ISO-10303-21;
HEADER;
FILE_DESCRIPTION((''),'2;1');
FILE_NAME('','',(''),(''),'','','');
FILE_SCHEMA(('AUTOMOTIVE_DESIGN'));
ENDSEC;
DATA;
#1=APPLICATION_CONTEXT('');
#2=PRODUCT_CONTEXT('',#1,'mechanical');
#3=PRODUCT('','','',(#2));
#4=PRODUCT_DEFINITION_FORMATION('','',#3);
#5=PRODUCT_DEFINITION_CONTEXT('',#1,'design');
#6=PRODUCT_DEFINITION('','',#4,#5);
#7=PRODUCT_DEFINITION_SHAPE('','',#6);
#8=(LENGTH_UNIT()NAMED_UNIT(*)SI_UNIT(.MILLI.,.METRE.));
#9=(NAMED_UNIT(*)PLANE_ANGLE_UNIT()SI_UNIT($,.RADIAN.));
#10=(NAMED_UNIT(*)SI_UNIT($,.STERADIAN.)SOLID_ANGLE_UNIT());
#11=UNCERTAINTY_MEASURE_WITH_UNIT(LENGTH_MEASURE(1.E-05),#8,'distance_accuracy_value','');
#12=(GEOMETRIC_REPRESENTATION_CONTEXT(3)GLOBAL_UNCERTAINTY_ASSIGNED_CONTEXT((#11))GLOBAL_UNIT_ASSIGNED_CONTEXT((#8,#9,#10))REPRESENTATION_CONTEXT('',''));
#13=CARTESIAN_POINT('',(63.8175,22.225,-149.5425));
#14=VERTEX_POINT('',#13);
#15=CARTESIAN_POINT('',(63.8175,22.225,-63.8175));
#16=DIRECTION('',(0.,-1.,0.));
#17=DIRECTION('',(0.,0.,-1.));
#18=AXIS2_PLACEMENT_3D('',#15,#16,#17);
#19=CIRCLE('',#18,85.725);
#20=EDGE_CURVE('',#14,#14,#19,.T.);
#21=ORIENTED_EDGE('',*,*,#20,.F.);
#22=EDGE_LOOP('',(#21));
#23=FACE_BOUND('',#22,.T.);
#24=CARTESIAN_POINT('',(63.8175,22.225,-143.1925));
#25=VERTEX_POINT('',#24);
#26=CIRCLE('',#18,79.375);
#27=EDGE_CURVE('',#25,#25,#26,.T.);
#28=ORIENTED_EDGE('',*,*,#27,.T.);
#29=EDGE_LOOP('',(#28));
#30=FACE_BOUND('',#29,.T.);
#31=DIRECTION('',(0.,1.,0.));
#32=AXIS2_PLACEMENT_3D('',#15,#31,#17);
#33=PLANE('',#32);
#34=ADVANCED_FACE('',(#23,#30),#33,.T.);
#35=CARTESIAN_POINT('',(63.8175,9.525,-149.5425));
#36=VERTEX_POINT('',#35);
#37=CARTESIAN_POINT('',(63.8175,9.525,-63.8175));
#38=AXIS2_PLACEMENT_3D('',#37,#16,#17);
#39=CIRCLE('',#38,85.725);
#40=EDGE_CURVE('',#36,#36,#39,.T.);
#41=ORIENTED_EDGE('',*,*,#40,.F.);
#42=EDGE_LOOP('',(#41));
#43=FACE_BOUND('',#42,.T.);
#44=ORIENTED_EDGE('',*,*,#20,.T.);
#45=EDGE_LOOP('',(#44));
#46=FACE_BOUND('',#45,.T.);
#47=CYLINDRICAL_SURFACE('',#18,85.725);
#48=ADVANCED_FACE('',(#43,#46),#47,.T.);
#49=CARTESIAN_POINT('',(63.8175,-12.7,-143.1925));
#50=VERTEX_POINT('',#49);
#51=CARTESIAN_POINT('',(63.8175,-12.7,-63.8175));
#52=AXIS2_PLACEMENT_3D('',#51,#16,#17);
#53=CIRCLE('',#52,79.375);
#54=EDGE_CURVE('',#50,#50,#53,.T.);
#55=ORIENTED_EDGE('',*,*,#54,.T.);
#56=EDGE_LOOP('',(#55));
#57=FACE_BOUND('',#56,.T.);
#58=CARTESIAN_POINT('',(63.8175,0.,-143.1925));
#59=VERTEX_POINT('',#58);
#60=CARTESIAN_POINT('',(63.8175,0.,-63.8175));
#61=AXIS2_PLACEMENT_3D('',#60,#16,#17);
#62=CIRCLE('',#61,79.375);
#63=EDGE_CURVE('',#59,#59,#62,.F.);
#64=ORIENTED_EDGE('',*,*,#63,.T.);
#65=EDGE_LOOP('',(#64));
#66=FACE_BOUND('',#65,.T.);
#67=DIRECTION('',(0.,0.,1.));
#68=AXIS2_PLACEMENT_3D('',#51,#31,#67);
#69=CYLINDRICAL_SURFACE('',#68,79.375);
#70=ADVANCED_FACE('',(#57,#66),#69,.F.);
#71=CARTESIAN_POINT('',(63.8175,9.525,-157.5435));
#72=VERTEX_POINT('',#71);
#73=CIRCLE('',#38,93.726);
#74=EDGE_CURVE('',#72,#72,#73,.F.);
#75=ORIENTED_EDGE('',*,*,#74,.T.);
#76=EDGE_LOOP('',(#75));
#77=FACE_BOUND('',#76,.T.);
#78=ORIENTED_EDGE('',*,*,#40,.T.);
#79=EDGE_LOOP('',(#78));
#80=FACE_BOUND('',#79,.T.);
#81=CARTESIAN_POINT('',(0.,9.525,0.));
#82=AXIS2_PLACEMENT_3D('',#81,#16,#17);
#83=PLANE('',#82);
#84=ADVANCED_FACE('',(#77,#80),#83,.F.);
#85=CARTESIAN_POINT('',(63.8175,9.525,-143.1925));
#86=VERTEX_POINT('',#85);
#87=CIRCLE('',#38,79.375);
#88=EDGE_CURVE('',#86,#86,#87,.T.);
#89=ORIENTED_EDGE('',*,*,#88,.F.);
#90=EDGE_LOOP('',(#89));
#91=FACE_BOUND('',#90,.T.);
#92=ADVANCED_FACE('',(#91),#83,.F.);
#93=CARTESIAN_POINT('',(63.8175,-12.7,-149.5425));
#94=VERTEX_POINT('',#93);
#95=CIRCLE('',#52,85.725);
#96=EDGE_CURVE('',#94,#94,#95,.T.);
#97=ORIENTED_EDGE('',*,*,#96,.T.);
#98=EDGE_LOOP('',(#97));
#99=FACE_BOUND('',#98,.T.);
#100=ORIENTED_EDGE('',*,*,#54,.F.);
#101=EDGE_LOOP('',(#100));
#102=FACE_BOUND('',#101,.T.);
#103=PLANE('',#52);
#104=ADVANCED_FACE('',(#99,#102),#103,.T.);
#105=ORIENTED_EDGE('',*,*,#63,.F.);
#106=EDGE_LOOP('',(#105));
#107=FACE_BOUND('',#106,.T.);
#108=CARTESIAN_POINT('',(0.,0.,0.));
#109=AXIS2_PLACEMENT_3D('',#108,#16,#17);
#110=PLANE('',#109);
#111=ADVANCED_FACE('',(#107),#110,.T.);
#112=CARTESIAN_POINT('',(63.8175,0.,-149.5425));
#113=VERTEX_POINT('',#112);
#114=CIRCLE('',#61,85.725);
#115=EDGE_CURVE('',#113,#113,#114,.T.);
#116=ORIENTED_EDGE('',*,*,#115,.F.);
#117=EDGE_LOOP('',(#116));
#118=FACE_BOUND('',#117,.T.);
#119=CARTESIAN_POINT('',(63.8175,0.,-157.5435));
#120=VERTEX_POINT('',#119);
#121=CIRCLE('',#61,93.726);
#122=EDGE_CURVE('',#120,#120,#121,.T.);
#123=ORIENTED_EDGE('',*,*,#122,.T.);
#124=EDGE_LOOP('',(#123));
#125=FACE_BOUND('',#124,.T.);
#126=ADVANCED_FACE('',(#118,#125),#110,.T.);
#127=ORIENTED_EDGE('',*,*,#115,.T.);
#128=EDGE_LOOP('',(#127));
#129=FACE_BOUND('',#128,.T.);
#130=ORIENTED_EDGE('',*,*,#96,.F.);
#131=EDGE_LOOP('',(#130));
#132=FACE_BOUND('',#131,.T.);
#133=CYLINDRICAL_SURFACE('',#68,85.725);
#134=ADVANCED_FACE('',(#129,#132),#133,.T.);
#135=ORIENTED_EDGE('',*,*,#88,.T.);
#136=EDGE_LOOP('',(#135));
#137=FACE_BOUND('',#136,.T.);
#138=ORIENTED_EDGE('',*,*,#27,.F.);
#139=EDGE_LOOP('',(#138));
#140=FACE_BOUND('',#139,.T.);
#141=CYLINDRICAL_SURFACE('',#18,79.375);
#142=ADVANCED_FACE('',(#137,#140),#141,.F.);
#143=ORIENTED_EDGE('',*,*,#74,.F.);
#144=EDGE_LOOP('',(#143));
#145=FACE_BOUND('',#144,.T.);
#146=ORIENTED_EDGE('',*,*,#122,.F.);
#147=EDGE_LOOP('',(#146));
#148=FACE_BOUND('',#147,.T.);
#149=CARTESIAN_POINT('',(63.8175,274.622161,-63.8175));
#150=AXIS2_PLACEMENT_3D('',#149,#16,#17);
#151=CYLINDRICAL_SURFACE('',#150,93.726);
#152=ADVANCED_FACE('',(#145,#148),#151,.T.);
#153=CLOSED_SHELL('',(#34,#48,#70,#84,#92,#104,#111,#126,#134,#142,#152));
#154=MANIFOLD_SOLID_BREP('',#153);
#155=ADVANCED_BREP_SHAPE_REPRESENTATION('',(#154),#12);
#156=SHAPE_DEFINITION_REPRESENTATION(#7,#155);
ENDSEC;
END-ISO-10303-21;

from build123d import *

# Parameters (mm, degrees)
SKETCH1_W           = 127.635
SKETCH1_H           = 127.635
BOSS_EXTRUDE1_DEPTH = 9.525
SKETCH12_R          = 93.726
BOSS_EXTRUDE2_DEPTH = 9.525
SKETCH30_R          = 85.725
SKETCH30_R_2        = 79.375
BOSS_EXTRUDE3_DEPTH = 12.7


with BuildPart() as part:
    # Sketch1 → Boss-Extrude1 (new body)
    with BuildSketch(Plane(origin=(0, 0, 0), x_dir=(1, 0, 0), z_dir=(0, 1, 0))):
        with Locations((63.8175, 63.8175)):
            Rectangle(SKETCH1_W, SKETCH1_H)
    extrude(amount=BOSS_EXTRUDE1_DEPTH)

    # Sketch12 → Boss-Extrude2 (add)
    with BuildSketch(Plane.XZ):
        with Locations(Location((63.8175, -63.8175, 0), (0, 0, 270))):
            Circle(SKETCH12_R)
    extrude(amount=-BOSS_EXTRUDE2_DEPTH)

    # Sketch30 → Boss-Extrude3 (add)
    with BuildSketch(Plane.XZ):
        with Locations(Location((63.8175, -63.8175, 0), (0, 0, 270))):
            Circle(SKETCH30_R)
        with Locations(Location((63.8175, -63.8175, 0), (0, 0, 270))):
            Circle(SKETCH30_R_2, mode=Mode.SUBTRACT)
    boss_extrude3 = extrude(amount=BOSS_EXTRUDE3_DEPTH)

    # Mirror1: Boss-Extrude3 across plane
    add(boss_extrude3.mirror(Plane.ZX.offset(4.7625)))


solid = part.part
